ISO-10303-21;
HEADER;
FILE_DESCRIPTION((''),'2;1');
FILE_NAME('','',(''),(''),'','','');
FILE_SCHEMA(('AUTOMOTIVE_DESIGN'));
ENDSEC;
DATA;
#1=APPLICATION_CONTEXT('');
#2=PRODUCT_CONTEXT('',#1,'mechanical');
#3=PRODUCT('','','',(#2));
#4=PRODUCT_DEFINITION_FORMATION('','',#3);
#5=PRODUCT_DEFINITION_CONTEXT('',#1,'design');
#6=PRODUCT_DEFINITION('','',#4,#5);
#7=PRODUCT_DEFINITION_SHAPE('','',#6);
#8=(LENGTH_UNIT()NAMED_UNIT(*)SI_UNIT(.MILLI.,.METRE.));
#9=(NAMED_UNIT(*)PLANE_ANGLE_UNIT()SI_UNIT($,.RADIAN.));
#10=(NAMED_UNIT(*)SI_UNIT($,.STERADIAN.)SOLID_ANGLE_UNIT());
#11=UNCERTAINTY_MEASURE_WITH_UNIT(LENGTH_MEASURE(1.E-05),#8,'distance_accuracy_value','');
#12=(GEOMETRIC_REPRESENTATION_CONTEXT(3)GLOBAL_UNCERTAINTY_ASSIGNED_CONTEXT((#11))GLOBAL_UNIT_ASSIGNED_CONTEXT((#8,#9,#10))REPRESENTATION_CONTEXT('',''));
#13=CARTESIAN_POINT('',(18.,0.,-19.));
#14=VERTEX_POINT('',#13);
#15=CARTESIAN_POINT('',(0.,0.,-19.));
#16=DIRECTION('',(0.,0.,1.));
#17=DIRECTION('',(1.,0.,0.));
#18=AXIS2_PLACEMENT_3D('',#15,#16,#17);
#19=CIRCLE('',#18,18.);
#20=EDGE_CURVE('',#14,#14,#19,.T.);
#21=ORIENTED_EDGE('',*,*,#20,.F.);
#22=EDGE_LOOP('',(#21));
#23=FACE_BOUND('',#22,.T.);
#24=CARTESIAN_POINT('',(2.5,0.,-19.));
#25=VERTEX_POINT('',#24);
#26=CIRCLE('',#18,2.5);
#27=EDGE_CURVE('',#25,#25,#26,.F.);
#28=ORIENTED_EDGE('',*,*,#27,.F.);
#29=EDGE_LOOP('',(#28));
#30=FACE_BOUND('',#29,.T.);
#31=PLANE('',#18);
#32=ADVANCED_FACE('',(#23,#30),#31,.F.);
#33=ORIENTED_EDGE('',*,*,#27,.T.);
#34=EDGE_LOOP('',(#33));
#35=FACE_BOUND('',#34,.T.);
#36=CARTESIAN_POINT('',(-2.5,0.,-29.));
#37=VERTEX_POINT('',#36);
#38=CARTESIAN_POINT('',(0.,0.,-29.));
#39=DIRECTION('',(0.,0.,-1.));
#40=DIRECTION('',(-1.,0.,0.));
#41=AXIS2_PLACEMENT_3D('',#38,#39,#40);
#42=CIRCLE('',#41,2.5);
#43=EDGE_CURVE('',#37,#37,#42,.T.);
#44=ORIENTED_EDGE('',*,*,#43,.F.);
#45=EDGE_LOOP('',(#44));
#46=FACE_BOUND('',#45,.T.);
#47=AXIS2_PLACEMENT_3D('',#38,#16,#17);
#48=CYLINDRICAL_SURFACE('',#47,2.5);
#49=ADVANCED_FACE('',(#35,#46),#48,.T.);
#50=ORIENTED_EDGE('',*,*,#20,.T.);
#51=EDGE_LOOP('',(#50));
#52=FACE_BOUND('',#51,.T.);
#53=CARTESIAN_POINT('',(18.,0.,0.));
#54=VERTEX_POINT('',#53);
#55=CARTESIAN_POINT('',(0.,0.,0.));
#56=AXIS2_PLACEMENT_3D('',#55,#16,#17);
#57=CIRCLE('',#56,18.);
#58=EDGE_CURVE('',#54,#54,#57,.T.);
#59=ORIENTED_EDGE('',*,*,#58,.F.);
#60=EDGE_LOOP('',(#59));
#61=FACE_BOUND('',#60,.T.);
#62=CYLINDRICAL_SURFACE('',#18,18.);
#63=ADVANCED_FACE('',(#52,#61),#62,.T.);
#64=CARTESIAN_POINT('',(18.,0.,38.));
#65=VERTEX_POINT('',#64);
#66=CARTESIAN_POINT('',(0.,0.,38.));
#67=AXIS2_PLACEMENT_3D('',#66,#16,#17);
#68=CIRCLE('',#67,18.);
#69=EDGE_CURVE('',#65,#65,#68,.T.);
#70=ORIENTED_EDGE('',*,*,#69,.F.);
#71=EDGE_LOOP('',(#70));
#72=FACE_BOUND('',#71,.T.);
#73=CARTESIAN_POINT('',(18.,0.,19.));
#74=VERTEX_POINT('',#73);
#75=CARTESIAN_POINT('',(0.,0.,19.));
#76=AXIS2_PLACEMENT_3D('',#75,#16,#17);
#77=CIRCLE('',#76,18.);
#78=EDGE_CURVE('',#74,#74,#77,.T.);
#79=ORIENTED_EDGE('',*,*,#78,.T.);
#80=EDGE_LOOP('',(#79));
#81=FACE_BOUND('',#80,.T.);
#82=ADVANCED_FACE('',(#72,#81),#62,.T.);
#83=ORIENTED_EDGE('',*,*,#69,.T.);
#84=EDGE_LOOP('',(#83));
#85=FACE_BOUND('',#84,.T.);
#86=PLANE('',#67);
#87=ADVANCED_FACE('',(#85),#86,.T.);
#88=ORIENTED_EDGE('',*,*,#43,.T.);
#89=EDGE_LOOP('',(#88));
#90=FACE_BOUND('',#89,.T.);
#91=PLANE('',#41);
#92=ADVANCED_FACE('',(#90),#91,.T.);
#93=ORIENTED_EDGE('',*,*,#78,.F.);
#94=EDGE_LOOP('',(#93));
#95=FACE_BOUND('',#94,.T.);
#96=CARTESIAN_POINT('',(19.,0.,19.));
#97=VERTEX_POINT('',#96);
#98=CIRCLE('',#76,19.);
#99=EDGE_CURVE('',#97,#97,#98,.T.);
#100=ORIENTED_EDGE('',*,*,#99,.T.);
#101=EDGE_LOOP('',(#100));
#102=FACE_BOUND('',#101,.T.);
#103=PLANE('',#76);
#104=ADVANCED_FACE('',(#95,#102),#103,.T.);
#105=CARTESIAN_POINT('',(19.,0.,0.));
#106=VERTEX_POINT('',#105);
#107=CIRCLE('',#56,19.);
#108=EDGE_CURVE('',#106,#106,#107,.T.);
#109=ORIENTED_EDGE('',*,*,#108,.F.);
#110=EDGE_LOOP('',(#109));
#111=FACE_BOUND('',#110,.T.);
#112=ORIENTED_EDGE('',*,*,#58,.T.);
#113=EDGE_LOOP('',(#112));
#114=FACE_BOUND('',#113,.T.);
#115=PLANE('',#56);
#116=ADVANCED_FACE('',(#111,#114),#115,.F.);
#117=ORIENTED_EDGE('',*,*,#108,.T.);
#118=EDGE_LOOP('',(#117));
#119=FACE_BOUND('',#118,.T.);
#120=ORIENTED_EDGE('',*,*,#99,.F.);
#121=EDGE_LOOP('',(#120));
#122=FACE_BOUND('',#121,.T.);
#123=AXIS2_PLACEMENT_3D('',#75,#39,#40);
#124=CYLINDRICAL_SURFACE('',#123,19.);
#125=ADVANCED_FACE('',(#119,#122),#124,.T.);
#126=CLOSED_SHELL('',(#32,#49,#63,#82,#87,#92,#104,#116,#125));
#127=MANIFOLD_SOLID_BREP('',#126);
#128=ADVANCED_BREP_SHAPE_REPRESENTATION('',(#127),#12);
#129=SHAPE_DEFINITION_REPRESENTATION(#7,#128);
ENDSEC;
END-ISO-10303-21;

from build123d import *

# Parameters (mm, degrees)
SKETCH1_R                = 19
SKETCH1_R_2              = 18
BOSS_EXTRUDE1_DEPTH      = 19
BOSS_EXTRUDE2_DEPTH      = 38
BOSS_EXTRUDE2_DEPTH_BACK = 19
SKETCH1_3_R              = 18
SKETCH2_R                = 2.5
BOSS_EXTRUDE3_DEPTH      = 10


with BuildPart() as part:
    # Sketch1 → Boss-Extrude1 (new body)
    with BuildSketch(Plane.XY):
        Circle(SKETCH1_R)
        Circle(SKETCH1_R_2, mode=Mode.SUBTRACT)
    extrude(amount=BOSS_EXTRUDE1_DEPTH)

    # Sketch1<3> → Boss-Extrude2 (add, two sides: drawn at the far end of the back side and taken through both)
    with BuildSketch(Plane.XY.offset(-BOSS_EXTRUDE2_DEPTH_BACK)):
        Circle(SKETCH1_3_R)
    extrude(amount=BOSS_EXTRUDE2_DEPTH + BOSS_EXTRUDE2_DEPTH_BACK)

    # Sketch2 → Boss-Extrude3 (add)
    with BuildSketch(Plane(origin=(0, 0, -19), x_dir=(-1, 0, 0), z_dir=(0, 0, -1))):
        Circle(SKETCH2_R)
    extrude(amount=BOSS_EXTRUDE3_DEPTH)


solid = part.part
